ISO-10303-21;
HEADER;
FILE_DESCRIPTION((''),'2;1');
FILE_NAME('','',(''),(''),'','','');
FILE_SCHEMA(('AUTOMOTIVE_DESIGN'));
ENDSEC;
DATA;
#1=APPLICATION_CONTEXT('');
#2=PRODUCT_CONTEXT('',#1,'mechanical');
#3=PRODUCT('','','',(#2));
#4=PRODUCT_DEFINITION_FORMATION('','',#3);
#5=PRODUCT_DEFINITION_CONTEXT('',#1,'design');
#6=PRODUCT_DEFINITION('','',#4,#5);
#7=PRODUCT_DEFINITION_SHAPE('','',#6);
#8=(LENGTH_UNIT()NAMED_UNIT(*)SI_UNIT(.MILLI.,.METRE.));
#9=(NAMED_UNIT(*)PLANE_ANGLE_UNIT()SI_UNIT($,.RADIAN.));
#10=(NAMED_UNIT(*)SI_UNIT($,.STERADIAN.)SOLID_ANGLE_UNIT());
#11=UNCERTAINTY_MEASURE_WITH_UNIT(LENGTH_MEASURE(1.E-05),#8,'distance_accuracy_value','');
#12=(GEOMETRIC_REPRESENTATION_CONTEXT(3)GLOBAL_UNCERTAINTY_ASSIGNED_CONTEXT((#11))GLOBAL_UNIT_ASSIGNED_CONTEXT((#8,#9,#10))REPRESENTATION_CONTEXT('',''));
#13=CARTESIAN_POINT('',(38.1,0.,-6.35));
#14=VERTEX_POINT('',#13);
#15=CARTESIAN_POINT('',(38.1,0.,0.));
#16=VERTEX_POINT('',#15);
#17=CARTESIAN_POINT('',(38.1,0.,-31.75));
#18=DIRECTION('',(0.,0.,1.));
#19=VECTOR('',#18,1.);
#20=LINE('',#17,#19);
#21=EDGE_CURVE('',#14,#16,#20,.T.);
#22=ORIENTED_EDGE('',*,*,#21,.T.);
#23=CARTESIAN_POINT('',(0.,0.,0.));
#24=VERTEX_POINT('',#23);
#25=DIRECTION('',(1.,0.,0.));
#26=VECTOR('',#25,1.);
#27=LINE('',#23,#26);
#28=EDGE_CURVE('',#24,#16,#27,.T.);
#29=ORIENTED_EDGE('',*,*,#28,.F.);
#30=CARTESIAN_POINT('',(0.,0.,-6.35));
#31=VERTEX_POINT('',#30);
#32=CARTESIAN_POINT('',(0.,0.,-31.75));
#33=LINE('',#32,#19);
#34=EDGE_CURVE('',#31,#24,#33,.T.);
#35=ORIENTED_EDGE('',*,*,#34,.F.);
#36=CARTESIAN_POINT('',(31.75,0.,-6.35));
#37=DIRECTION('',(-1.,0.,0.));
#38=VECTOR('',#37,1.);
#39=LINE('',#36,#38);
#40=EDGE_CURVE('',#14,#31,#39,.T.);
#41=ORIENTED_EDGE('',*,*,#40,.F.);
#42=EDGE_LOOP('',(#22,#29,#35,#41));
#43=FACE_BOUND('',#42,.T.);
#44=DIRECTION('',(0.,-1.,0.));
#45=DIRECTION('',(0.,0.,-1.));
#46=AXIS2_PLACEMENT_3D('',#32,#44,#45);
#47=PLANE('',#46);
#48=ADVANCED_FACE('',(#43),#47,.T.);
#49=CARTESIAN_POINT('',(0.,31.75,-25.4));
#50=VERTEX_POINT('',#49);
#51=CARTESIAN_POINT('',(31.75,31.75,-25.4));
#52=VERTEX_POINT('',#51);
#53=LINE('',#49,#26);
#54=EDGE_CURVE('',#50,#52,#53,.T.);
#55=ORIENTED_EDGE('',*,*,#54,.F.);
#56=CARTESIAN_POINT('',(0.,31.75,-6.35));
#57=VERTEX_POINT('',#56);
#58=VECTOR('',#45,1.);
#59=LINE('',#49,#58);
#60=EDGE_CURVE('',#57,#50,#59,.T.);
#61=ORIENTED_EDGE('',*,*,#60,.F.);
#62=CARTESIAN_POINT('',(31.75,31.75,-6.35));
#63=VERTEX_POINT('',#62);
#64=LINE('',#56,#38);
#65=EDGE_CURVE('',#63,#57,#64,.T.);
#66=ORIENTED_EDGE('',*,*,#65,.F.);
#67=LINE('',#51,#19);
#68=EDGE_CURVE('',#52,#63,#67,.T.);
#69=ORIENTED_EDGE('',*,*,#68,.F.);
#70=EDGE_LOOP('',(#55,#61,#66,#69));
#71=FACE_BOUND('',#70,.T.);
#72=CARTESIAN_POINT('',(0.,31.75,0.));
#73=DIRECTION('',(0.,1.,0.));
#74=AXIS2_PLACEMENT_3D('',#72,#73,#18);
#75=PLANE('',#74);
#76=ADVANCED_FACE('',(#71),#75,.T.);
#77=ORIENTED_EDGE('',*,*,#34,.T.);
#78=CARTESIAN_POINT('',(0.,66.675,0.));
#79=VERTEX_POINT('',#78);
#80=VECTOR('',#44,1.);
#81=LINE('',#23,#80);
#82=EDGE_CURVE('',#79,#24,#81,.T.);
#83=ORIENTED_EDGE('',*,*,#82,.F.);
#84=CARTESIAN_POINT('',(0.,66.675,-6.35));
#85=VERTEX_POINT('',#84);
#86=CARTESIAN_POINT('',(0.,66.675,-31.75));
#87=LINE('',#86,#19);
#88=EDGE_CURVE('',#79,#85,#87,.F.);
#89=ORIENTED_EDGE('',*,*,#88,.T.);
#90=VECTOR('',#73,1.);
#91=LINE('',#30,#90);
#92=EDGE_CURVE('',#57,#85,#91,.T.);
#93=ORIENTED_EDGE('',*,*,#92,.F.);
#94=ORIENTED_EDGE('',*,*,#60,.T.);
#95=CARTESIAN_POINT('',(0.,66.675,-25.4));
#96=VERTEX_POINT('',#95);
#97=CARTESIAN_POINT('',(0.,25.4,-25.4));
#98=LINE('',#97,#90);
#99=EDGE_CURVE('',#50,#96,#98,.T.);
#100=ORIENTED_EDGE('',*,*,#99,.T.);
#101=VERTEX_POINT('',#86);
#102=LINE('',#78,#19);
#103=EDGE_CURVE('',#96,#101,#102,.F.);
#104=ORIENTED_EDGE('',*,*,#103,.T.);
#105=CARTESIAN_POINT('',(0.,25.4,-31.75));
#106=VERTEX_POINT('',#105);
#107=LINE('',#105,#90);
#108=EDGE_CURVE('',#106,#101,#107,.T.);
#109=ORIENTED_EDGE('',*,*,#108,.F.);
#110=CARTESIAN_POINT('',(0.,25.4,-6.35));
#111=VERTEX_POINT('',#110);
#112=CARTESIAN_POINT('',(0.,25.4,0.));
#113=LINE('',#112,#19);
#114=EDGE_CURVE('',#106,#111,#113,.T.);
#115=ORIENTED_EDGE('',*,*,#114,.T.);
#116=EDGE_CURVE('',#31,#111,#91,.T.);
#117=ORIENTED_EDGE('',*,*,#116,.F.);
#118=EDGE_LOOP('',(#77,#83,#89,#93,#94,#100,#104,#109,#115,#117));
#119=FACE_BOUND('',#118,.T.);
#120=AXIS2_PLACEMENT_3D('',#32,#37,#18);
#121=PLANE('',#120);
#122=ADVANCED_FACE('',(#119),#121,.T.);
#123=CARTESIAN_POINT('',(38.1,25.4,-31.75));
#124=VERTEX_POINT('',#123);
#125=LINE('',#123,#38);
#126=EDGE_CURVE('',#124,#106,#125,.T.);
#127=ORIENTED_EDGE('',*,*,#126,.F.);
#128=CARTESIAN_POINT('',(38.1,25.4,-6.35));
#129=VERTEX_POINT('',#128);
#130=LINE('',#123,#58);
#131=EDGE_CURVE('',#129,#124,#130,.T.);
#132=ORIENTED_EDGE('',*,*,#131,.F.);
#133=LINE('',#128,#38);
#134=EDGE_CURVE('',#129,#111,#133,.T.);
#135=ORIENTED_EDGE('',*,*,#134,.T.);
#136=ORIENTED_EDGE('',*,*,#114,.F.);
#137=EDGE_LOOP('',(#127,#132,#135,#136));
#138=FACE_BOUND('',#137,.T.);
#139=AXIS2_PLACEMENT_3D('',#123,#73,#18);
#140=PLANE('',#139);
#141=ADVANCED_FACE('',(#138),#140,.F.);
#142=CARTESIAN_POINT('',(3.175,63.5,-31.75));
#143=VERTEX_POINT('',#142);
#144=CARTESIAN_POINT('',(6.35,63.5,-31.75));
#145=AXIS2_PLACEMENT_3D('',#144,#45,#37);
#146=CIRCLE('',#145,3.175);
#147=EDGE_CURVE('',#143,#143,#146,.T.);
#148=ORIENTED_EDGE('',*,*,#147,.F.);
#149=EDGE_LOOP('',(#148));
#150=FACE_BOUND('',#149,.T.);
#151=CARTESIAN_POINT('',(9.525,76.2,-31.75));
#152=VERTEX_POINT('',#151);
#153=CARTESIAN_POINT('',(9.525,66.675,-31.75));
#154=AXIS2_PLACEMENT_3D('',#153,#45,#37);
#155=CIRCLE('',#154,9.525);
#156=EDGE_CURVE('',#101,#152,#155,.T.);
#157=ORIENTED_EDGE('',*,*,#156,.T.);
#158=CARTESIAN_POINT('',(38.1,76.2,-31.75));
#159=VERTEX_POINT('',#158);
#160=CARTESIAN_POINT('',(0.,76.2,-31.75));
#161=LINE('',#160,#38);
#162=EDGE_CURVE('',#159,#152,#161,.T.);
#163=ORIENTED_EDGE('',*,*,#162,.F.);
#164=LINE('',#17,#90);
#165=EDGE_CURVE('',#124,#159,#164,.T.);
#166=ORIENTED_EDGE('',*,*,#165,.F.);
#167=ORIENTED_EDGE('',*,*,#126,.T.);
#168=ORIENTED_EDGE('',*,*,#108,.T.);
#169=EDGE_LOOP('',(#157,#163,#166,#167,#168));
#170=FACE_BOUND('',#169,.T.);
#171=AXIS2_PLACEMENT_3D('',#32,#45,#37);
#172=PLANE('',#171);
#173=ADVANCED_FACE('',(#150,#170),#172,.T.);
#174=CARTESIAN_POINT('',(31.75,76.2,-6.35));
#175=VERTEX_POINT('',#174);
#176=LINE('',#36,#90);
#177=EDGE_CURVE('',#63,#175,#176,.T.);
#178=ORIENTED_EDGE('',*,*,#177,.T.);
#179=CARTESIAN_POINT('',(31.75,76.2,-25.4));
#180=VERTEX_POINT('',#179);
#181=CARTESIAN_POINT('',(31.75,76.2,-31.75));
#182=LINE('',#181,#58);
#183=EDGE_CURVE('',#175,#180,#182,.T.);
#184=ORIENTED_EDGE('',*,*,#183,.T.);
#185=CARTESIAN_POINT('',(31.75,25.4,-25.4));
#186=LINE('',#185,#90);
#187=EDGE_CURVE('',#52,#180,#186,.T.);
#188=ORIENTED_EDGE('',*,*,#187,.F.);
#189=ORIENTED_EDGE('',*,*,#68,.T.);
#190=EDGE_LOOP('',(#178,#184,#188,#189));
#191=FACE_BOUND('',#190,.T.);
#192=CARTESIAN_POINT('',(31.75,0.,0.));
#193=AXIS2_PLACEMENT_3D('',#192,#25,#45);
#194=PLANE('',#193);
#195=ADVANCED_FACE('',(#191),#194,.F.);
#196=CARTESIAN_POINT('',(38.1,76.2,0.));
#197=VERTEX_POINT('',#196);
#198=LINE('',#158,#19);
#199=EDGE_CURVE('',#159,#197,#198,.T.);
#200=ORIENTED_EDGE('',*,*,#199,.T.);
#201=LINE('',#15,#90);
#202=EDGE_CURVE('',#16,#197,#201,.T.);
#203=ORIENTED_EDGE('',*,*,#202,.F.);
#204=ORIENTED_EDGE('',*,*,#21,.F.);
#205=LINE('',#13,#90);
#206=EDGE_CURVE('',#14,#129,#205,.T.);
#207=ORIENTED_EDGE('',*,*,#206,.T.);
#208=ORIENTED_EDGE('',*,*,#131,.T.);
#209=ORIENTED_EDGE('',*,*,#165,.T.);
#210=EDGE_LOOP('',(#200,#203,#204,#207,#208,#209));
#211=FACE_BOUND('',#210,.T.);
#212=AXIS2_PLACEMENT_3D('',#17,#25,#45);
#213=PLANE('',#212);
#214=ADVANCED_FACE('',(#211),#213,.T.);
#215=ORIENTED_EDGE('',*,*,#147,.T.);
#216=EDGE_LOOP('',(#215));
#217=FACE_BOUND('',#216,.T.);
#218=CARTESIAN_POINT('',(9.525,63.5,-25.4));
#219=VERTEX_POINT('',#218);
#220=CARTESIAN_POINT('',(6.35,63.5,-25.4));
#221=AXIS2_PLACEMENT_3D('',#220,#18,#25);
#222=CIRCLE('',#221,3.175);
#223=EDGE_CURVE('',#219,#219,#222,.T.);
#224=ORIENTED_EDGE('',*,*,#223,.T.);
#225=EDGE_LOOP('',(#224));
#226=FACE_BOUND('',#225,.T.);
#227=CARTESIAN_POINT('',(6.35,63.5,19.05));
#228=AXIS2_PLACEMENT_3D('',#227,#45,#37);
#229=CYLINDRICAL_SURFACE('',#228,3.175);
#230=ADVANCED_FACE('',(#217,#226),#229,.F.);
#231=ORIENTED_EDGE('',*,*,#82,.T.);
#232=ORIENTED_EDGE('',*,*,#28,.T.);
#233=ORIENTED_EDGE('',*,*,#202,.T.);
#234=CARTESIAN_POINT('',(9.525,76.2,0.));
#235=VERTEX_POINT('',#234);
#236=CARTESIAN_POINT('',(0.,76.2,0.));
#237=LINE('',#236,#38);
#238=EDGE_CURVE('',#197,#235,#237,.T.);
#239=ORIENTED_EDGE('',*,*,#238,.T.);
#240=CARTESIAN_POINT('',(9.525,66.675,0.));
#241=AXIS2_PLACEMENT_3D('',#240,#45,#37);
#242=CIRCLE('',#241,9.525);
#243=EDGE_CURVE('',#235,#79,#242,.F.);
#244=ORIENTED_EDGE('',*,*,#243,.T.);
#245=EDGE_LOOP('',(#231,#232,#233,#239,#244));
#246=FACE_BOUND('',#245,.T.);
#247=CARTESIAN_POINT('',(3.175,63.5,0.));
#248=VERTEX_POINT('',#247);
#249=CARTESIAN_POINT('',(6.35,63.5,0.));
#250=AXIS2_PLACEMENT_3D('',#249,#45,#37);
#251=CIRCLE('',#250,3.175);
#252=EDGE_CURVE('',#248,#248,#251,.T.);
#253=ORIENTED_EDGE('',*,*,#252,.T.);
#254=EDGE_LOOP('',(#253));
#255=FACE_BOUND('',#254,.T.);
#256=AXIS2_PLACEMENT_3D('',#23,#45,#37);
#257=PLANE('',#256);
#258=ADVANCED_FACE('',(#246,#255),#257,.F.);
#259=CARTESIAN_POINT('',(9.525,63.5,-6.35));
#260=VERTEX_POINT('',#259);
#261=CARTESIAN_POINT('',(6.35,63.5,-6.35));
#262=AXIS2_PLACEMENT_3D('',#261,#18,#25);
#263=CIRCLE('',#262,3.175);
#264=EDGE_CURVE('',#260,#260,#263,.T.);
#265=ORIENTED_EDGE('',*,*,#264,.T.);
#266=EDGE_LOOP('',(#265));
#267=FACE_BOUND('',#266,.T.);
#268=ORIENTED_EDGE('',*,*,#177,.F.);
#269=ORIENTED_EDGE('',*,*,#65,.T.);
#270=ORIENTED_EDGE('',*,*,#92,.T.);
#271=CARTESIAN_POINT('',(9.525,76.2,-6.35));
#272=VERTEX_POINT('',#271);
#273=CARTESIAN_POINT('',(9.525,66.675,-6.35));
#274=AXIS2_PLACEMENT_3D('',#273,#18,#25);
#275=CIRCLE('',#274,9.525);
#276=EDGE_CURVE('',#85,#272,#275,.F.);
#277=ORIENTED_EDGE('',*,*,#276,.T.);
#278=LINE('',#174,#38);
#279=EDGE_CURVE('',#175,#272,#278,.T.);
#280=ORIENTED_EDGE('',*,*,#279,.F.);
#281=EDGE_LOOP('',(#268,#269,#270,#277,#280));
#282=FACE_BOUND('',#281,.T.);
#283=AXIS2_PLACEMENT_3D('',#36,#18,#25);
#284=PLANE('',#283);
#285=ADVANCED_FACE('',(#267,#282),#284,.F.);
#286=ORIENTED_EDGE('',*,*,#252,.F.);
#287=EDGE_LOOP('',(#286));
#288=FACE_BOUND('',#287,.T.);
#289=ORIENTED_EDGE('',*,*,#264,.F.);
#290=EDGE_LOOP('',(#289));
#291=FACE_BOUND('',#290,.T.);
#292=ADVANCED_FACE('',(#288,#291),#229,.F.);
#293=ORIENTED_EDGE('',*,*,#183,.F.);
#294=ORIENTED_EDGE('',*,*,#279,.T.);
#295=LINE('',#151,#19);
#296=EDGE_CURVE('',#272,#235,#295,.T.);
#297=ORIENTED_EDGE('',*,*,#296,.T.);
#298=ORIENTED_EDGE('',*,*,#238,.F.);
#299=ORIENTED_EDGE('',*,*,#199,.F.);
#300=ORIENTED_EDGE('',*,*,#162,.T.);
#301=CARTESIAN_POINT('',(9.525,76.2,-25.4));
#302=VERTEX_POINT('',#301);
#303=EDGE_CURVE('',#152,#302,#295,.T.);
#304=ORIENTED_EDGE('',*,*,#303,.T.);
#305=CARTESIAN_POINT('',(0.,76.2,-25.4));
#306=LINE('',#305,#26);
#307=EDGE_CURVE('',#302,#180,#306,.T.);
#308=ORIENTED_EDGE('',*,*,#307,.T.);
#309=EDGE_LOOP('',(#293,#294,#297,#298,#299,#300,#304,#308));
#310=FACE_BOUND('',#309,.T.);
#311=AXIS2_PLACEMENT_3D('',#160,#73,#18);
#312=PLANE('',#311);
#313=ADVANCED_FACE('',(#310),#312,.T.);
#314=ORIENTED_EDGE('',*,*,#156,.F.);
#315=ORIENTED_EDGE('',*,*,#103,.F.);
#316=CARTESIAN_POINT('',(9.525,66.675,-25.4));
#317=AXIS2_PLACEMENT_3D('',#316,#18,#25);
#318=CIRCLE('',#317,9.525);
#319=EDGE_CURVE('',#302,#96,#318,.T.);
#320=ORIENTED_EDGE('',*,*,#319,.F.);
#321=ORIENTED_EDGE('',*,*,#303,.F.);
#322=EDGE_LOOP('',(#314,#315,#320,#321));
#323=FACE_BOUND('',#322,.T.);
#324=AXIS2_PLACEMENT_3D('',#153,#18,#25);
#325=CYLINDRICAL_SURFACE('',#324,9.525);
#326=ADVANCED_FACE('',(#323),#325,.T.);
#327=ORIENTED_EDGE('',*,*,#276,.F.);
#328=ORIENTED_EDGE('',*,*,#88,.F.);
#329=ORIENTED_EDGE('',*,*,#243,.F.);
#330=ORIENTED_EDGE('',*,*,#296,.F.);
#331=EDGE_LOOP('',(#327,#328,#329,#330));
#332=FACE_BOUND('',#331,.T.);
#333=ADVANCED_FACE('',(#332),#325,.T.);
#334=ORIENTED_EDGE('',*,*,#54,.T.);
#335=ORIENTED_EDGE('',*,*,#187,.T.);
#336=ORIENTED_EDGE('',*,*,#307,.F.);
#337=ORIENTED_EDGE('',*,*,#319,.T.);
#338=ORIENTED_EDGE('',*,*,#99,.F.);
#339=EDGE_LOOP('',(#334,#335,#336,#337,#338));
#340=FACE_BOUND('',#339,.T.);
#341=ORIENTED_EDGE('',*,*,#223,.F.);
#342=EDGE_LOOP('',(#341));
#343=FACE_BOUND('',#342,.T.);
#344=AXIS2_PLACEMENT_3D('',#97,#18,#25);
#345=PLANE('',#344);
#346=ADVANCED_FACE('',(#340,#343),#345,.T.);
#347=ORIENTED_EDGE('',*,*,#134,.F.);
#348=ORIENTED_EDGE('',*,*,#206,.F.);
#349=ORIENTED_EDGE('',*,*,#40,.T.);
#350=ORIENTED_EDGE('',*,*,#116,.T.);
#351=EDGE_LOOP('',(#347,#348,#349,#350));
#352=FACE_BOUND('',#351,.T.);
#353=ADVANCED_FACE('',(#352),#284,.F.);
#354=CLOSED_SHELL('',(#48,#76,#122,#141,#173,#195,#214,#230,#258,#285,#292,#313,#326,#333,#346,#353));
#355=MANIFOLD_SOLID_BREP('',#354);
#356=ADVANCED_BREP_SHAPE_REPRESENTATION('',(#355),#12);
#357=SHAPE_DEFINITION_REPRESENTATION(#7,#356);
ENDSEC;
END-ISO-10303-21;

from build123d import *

# Parameters (mm, degrees)
SKETCH1_W           = 38.1
SKETCH1_H           = 76.2
BOSS_EXTRUDE1_DEPTH = 31.75
SKETCH3_W           = 25.4
SKETCH3_H           = 76.2
CUT_EXTRUDE2_DEPTH  = 31.75
SKETCH4_W           = 25.4
SKETCH4_H           = 25.4
CUT_EXTRUDE3_DEPTH  = 89.44526556
SKETCH5_W           = 31.75
SKETCH5_H           = 6.35
BOSS_EXTRUDE2_DEPTH = 50.8
SKETCH6_R           = 3.175
CUT_EXTRUDE4_DEPTH  = 50.8
FILLET2_R           = 9.525
SKETCH7_W           = 31.75
SKETCH7_H           = 19.05
BOSS_EXTRUDE3_DEPTH = 6.35


with BuildPart() as part:
    # Sketch1 → Boss-Extrude1 (new body)
    with BuildSketch(Plane.XY):
        with Locations((19.05, 38.1)):
            Rectangle(SKETCH1_W, SKETCH1_H)
    extrude(amount=-BOSS_EXTRUDE1_DEPTH)

    # Sketch3 → Cut-Extrude2 (cut)
    with BuildSketch(Plane.ZY):
        with Locations((-19.05, 38.1)):
            Rectangle(SKETCH3_W, SKETCH3_H)
    extrude(amount=-CUT_EXTRUDE2_DEPTH, mode=Mode.SUBTRACT)

    # Sketch4 → Cut-Extrude3 (cut, through all)
    with BuildSketch(Plane.ZY.offset(-31.75)):
        with Locations((-19.05, 12.7)):
            Rectangle(SKETCH4_W, SKETCH4_H)
    extrude(amount=-CUT_EXTRUDE3_DEPTH, mode=Mode.SUBTRACT)

    # Sketch5 → Boss-Extrude2 (add)
    with BuildSketch(Plane(origin=(0, 76.2, 0), x_dir=(1, 0, 0), z_dir=(0, 1, 0))):
        with Locations((15.875, 28.575)):
            Rectangle(SKETCH5_W, SKETCH5_H)
    extrude(amount=-BOSS_EXTRUDE2_DEPTH)

    # Sketch6 → Cut-Extrude4 (cut)
    with BuildSketch(Plane(origin=(0, 0, -31.75), x_dir=(-1, 0, 0), z_dir=(0, 0, -1))):
        with Locations((-6.35, 63.5)):
            Circle(SKETCH6_R)
    extrude(amount=-CUT_EXTRUDE4_DEPTH, mode=Mode.SUBTRACT)

    # Fillet2
    fillet2_edges = [part.edges().sort_by_distance(p)[0] for p in [
        (0, 76.2, -3.175),
        (0, 76.2, -28.575),
    ]]
    fillet(fillet2_edges, radius=FILLET2_R)

    # Sketch7 → Boss-Extrude3 (add)
    with BuildSketch(Plane(origin=(0, 25.4, 0), x_dir=(-1, 0, 0), z_dir=(0, -1, 0))):
        with Locations((-15.875, 15.875)):
            Rectangle(SKETCH7_W, SKETCH7_H)
    extrude(amount=-BOSS_EXTRUDE3_DEPTH)


solid = part.part
